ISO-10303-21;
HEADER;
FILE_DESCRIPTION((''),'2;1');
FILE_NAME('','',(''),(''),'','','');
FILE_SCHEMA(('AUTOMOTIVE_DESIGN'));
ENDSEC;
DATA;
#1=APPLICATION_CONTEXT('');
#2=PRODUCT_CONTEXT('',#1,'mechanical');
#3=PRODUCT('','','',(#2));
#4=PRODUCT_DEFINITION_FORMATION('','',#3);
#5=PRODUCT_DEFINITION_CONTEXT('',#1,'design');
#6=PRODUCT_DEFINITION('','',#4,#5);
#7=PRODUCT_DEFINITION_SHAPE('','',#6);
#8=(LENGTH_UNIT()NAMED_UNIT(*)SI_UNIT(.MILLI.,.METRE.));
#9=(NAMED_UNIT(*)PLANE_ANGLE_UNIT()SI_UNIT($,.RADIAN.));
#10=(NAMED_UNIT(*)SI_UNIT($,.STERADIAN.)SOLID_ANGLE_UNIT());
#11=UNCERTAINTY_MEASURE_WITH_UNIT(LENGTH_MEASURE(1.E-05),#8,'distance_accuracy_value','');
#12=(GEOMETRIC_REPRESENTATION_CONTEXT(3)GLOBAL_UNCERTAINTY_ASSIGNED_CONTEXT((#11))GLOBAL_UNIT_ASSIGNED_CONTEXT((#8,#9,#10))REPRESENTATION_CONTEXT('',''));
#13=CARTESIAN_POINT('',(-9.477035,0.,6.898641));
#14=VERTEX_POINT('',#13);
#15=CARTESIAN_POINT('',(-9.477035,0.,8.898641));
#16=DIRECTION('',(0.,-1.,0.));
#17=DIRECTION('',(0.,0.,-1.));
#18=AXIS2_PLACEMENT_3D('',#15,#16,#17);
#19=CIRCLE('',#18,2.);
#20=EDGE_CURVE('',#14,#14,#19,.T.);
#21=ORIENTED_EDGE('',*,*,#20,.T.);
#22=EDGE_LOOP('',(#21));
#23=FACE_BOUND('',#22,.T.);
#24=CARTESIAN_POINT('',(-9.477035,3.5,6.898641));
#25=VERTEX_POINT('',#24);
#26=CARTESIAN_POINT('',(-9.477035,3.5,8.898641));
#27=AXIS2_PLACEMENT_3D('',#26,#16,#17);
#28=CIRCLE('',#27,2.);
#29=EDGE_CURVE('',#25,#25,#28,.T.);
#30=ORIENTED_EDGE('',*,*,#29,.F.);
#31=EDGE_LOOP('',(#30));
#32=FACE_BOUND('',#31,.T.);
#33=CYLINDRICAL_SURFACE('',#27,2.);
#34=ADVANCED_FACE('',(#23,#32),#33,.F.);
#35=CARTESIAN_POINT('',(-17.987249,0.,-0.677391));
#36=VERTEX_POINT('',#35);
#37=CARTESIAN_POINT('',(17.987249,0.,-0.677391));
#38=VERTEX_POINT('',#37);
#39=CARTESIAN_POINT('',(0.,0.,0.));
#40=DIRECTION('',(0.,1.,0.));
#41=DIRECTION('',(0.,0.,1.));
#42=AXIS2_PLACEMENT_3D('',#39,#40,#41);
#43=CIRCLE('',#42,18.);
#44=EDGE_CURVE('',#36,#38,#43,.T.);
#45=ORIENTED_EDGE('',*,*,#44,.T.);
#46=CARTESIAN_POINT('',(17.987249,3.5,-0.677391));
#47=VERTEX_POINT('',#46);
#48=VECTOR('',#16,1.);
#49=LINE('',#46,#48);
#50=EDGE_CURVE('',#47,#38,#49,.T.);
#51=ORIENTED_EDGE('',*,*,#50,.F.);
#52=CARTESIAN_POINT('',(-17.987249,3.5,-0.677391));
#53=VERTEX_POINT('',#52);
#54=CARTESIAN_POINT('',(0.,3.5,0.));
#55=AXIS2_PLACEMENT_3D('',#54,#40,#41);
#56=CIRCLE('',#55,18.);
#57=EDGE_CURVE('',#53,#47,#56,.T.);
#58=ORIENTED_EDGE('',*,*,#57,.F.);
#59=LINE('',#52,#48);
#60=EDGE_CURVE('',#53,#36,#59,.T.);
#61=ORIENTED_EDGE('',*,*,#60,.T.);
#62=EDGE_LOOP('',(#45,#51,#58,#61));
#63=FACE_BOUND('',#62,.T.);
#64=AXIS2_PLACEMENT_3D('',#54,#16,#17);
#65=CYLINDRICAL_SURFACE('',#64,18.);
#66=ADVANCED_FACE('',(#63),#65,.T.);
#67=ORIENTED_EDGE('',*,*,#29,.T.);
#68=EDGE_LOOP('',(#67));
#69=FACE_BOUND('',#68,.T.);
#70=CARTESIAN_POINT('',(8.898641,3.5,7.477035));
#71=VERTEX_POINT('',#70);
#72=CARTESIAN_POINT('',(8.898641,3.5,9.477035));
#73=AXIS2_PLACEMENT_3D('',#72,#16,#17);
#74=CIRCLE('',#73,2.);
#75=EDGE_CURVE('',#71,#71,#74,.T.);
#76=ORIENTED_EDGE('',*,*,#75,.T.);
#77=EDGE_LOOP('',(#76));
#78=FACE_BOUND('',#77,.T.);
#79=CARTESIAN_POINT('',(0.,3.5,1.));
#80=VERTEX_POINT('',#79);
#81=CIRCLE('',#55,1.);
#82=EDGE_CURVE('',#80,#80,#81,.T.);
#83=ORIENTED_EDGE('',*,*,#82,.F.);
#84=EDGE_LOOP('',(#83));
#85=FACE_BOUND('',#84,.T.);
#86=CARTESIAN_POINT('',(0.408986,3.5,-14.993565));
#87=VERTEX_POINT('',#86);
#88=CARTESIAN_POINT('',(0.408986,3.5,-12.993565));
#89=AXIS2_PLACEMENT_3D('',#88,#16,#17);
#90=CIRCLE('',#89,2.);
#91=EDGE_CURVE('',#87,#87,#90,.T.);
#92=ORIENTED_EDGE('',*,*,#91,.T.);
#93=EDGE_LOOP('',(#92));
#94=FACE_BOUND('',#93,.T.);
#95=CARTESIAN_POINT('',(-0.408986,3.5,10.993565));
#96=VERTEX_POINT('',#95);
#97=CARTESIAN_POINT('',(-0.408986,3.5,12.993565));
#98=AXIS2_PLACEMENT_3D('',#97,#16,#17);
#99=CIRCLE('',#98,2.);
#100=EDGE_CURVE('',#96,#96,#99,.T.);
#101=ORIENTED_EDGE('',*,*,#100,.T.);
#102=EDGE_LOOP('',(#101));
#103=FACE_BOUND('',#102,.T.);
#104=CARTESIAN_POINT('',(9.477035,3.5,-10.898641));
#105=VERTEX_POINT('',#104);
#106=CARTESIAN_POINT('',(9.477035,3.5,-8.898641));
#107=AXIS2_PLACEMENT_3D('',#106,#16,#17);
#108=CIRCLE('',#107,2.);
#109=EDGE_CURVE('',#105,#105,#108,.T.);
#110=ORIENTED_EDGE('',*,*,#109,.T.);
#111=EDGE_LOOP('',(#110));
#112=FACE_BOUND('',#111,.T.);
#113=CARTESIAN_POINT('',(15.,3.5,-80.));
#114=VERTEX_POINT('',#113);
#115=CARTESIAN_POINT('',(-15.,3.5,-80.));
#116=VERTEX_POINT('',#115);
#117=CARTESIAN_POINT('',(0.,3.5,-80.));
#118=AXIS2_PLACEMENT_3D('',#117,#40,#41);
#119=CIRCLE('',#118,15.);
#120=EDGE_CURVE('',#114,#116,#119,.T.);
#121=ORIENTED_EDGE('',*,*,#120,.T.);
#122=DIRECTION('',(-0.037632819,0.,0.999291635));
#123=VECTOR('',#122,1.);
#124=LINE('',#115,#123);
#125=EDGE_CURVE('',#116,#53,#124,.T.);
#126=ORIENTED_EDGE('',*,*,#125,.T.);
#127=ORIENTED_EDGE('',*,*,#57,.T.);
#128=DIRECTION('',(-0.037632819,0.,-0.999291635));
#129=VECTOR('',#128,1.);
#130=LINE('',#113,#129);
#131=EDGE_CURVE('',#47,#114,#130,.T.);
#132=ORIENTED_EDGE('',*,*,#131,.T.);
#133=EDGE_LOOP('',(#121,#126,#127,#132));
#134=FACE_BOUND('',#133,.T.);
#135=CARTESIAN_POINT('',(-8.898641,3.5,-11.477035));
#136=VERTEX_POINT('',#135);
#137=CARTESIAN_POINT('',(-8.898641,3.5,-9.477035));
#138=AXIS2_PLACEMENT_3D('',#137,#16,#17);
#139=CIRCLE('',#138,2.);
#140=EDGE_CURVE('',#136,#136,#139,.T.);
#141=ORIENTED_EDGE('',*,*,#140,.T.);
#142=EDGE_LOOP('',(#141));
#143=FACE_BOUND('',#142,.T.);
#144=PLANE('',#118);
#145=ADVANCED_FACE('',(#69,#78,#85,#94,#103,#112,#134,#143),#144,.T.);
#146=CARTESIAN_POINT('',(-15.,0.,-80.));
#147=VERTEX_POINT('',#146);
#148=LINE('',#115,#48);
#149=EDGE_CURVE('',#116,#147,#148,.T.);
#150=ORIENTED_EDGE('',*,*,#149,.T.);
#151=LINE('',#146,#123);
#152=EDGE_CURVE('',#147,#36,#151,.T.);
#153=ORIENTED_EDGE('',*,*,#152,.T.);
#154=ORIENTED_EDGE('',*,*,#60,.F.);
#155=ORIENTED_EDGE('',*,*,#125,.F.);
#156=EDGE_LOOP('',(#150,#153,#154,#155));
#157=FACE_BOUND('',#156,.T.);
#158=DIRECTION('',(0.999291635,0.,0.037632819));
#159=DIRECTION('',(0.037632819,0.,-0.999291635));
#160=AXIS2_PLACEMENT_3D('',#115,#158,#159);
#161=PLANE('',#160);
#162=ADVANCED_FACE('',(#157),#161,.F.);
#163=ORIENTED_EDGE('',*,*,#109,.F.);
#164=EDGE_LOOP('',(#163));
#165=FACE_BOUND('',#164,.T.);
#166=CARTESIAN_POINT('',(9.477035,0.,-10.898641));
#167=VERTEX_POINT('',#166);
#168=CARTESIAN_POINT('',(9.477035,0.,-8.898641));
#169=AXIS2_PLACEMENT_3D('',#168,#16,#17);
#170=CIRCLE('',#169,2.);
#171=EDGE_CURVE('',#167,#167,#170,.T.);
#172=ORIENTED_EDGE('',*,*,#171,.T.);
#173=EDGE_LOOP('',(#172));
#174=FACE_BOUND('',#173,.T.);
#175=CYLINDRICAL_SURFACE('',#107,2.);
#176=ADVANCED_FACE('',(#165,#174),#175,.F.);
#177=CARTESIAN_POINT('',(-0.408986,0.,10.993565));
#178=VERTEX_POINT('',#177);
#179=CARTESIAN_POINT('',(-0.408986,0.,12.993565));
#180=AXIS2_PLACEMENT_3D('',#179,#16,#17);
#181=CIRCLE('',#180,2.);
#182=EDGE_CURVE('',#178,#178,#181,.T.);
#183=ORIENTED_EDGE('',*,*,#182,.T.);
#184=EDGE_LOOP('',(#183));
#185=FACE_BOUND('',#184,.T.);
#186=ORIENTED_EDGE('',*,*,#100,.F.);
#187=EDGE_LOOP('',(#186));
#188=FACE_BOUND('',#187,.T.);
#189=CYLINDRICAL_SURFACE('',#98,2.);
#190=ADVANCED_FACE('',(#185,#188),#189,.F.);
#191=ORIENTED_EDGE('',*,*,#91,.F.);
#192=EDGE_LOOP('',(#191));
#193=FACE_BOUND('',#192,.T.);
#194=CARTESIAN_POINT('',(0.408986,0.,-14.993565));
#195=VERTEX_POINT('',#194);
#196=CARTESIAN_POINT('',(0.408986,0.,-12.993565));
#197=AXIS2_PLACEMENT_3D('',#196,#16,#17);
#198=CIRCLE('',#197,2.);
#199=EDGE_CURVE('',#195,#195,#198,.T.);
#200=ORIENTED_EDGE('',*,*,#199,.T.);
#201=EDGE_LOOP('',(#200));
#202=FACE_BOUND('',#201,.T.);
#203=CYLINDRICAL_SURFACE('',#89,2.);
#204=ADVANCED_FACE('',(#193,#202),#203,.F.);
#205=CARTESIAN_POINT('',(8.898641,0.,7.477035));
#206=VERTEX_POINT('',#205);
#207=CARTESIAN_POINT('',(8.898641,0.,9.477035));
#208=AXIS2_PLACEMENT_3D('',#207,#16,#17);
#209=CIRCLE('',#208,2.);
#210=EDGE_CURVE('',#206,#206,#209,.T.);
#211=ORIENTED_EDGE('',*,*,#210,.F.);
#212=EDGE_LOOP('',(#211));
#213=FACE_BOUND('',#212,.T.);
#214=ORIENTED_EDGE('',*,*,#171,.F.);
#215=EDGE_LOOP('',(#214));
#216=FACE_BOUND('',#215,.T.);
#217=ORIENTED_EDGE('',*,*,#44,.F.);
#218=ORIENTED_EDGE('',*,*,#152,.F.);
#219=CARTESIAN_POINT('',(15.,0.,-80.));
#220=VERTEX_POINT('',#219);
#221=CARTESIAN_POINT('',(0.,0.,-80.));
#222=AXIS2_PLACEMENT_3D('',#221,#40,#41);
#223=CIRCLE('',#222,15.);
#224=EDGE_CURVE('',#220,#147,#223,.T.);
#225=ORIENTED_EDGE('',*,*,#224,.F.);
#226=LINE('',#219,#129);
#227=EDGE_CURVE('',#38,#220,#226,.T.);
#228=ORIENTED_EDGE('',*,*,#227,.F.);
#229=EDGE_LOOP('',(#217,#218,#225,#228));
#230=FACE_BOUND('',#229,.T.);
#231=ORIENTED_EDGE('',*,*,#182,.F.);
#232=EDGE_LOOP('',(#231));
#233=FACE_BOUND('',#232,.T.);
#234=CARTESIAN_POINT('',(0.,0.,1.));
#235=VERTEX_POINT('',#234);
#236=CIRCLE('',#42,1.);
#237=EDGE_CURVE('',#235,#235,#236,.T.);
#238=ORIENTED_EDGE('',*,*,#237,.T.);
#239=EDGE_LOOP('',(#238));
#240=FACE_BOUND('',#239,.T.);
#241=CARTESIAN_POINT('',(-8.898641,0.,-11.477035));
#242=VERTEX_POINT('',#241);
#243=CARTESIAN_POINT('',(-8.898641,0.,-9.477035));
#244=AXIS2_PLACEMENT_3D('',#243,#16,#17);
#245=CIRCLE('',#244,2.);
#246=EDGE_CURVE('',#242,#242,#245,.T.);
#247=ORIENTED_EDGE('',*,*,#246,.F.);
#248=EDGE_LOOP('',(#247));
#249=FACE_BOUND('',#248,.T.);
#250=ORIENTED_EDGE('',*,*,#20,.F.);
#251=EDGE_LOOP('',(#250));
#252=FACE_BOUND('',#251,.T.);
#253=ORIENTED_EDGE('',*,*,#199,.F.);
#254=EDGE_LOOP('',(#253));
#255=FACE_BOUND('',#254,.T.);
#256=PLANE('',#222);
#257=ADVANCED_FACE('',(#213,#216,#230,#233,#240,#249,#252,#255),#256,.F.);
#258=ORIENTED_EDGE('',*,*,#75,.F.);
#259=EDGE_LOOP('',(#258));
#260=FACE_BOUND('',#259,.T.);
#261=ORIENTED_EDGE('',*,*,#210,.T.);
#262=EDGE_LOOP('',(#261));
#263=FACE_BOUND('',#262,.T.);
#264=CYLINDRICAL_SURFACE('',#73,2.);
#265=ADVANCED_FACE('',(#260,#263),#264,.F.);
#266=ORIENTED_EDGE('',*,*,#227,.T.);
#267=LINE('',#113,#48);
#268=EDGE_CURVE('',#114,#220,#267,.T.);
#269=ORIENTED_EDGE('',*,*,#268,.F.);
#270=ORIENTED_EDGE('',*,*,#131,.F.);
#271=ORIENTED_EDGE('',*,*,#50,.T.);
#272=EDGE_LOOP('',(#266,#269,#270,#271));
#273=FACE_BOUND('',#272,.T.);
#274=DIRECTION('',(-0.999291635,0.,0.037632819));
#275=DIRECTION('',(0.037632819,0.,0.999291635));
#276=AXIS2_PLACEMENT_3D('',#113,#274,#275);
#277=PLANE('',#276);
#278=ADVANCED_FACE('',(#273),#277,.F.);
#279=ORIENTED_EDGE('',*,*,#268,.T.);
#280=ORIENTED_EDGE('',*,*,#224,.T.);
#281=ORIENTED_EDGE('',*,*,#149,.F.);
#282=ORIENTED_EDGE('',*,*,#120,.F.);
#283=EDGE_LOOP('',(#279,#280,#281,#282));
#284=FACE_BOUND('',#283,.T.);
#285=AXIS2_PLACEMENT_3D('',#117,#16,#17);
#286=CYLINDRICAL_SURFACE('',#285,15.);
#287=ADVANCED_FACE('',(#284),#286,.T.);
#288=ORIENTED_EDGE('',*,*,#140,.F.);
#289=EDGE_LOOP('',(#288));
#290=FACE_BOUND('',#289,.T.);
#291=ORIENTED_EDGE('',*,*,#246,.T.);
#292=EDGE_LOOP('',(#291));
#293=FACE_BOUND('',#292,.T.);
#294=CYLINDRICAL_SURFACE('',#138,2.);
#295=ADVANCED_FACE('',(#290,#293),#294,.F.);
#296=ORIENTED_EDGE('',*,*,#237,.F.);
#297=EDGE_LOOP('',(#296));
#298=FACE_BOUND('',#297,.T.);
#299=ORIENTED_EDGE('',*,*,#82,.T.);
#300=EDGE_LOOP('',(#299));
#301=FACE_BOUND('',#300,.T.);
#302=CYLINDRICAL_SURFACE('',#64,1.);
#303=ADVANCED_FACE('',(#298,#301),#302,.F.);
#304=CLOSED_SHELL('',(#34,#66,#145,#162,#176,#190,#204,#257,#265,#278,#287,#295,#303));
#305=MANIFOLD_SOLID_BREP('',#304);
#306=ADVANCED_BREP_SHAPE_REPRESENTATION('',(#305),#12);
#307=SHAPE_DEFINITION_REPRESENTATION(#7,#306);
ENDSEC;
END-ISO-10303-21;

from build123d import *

# Parameters (mm, degrees)
SKETCH_1_R          = 1
EXTRUDE_1_DEPTH     = 3.5
SKETCH_2_R          = 2
CUT_EXTRUDE_1_DEPTH = 97.753552906


with BuildPart() as part:
    # Эскиз1 → Вытянуть1 (new body)
    with BuildSketch(Plane(origin=(0, 0, 0), x_dir=(1, 0, 0), z_dir=(0, 1, 0))):
        with BuildLine():
            Line((-15, 80), (-17.987249423, 0.677390733))
            ThreePointArc((-17.987249423, 0.677390733), (0, -18), (17.987249423, 0.677390733))
            Line((17.987249423, 0.677390733), (15, 80))
            ThreePointArc((15, 80), (0, 95), (-15, 80))
        make_face()
        with Locations(Location((0, 0, 0), (0, 0, 270))):
            Circle(SKETCH_1_R, mode=Mode.SUBTRACT)
    extrude(amount=EXTRUDE_1_DEPTH)

    # Эскиз2 → Вырез-Вытянуть1 (cut, through all)
    with BuildSketch(Plane.XZ):
        with Locations(Location((-0.408986403, 12.99356495, 0), (0, 0, 270))):
            Circle(SKETCH_2_R)
        with Locations(Location((-9.477034947, 8.898640829, 0), (0, 0, 270))):
            Circle(SKETCH_2_R)
        with Locations(Location((8.898640829, 9.477034947, 0), (0, 0, 270))):
            Circle(SKETCH_2_R)
        with Locations(Location((9.477034947, -8.898640829, 0), (0, 0, 270))):
            Circle(SKETCH_2_R)
        with Locations(Location((0.408986403, -12.99356495, 0), (0, 0, 270))):
            Circle(SKETCH_2_R)
        with Locations(Location((-8.898640829, -9.477034947, 0), (0, 0, 270))):
            Circle(SKETCH_2_R)
    extrude(amount=-CUT_EXTRUDE_1_DEPTH, mode=Mode.SUBTRACT)


solid = part.part
